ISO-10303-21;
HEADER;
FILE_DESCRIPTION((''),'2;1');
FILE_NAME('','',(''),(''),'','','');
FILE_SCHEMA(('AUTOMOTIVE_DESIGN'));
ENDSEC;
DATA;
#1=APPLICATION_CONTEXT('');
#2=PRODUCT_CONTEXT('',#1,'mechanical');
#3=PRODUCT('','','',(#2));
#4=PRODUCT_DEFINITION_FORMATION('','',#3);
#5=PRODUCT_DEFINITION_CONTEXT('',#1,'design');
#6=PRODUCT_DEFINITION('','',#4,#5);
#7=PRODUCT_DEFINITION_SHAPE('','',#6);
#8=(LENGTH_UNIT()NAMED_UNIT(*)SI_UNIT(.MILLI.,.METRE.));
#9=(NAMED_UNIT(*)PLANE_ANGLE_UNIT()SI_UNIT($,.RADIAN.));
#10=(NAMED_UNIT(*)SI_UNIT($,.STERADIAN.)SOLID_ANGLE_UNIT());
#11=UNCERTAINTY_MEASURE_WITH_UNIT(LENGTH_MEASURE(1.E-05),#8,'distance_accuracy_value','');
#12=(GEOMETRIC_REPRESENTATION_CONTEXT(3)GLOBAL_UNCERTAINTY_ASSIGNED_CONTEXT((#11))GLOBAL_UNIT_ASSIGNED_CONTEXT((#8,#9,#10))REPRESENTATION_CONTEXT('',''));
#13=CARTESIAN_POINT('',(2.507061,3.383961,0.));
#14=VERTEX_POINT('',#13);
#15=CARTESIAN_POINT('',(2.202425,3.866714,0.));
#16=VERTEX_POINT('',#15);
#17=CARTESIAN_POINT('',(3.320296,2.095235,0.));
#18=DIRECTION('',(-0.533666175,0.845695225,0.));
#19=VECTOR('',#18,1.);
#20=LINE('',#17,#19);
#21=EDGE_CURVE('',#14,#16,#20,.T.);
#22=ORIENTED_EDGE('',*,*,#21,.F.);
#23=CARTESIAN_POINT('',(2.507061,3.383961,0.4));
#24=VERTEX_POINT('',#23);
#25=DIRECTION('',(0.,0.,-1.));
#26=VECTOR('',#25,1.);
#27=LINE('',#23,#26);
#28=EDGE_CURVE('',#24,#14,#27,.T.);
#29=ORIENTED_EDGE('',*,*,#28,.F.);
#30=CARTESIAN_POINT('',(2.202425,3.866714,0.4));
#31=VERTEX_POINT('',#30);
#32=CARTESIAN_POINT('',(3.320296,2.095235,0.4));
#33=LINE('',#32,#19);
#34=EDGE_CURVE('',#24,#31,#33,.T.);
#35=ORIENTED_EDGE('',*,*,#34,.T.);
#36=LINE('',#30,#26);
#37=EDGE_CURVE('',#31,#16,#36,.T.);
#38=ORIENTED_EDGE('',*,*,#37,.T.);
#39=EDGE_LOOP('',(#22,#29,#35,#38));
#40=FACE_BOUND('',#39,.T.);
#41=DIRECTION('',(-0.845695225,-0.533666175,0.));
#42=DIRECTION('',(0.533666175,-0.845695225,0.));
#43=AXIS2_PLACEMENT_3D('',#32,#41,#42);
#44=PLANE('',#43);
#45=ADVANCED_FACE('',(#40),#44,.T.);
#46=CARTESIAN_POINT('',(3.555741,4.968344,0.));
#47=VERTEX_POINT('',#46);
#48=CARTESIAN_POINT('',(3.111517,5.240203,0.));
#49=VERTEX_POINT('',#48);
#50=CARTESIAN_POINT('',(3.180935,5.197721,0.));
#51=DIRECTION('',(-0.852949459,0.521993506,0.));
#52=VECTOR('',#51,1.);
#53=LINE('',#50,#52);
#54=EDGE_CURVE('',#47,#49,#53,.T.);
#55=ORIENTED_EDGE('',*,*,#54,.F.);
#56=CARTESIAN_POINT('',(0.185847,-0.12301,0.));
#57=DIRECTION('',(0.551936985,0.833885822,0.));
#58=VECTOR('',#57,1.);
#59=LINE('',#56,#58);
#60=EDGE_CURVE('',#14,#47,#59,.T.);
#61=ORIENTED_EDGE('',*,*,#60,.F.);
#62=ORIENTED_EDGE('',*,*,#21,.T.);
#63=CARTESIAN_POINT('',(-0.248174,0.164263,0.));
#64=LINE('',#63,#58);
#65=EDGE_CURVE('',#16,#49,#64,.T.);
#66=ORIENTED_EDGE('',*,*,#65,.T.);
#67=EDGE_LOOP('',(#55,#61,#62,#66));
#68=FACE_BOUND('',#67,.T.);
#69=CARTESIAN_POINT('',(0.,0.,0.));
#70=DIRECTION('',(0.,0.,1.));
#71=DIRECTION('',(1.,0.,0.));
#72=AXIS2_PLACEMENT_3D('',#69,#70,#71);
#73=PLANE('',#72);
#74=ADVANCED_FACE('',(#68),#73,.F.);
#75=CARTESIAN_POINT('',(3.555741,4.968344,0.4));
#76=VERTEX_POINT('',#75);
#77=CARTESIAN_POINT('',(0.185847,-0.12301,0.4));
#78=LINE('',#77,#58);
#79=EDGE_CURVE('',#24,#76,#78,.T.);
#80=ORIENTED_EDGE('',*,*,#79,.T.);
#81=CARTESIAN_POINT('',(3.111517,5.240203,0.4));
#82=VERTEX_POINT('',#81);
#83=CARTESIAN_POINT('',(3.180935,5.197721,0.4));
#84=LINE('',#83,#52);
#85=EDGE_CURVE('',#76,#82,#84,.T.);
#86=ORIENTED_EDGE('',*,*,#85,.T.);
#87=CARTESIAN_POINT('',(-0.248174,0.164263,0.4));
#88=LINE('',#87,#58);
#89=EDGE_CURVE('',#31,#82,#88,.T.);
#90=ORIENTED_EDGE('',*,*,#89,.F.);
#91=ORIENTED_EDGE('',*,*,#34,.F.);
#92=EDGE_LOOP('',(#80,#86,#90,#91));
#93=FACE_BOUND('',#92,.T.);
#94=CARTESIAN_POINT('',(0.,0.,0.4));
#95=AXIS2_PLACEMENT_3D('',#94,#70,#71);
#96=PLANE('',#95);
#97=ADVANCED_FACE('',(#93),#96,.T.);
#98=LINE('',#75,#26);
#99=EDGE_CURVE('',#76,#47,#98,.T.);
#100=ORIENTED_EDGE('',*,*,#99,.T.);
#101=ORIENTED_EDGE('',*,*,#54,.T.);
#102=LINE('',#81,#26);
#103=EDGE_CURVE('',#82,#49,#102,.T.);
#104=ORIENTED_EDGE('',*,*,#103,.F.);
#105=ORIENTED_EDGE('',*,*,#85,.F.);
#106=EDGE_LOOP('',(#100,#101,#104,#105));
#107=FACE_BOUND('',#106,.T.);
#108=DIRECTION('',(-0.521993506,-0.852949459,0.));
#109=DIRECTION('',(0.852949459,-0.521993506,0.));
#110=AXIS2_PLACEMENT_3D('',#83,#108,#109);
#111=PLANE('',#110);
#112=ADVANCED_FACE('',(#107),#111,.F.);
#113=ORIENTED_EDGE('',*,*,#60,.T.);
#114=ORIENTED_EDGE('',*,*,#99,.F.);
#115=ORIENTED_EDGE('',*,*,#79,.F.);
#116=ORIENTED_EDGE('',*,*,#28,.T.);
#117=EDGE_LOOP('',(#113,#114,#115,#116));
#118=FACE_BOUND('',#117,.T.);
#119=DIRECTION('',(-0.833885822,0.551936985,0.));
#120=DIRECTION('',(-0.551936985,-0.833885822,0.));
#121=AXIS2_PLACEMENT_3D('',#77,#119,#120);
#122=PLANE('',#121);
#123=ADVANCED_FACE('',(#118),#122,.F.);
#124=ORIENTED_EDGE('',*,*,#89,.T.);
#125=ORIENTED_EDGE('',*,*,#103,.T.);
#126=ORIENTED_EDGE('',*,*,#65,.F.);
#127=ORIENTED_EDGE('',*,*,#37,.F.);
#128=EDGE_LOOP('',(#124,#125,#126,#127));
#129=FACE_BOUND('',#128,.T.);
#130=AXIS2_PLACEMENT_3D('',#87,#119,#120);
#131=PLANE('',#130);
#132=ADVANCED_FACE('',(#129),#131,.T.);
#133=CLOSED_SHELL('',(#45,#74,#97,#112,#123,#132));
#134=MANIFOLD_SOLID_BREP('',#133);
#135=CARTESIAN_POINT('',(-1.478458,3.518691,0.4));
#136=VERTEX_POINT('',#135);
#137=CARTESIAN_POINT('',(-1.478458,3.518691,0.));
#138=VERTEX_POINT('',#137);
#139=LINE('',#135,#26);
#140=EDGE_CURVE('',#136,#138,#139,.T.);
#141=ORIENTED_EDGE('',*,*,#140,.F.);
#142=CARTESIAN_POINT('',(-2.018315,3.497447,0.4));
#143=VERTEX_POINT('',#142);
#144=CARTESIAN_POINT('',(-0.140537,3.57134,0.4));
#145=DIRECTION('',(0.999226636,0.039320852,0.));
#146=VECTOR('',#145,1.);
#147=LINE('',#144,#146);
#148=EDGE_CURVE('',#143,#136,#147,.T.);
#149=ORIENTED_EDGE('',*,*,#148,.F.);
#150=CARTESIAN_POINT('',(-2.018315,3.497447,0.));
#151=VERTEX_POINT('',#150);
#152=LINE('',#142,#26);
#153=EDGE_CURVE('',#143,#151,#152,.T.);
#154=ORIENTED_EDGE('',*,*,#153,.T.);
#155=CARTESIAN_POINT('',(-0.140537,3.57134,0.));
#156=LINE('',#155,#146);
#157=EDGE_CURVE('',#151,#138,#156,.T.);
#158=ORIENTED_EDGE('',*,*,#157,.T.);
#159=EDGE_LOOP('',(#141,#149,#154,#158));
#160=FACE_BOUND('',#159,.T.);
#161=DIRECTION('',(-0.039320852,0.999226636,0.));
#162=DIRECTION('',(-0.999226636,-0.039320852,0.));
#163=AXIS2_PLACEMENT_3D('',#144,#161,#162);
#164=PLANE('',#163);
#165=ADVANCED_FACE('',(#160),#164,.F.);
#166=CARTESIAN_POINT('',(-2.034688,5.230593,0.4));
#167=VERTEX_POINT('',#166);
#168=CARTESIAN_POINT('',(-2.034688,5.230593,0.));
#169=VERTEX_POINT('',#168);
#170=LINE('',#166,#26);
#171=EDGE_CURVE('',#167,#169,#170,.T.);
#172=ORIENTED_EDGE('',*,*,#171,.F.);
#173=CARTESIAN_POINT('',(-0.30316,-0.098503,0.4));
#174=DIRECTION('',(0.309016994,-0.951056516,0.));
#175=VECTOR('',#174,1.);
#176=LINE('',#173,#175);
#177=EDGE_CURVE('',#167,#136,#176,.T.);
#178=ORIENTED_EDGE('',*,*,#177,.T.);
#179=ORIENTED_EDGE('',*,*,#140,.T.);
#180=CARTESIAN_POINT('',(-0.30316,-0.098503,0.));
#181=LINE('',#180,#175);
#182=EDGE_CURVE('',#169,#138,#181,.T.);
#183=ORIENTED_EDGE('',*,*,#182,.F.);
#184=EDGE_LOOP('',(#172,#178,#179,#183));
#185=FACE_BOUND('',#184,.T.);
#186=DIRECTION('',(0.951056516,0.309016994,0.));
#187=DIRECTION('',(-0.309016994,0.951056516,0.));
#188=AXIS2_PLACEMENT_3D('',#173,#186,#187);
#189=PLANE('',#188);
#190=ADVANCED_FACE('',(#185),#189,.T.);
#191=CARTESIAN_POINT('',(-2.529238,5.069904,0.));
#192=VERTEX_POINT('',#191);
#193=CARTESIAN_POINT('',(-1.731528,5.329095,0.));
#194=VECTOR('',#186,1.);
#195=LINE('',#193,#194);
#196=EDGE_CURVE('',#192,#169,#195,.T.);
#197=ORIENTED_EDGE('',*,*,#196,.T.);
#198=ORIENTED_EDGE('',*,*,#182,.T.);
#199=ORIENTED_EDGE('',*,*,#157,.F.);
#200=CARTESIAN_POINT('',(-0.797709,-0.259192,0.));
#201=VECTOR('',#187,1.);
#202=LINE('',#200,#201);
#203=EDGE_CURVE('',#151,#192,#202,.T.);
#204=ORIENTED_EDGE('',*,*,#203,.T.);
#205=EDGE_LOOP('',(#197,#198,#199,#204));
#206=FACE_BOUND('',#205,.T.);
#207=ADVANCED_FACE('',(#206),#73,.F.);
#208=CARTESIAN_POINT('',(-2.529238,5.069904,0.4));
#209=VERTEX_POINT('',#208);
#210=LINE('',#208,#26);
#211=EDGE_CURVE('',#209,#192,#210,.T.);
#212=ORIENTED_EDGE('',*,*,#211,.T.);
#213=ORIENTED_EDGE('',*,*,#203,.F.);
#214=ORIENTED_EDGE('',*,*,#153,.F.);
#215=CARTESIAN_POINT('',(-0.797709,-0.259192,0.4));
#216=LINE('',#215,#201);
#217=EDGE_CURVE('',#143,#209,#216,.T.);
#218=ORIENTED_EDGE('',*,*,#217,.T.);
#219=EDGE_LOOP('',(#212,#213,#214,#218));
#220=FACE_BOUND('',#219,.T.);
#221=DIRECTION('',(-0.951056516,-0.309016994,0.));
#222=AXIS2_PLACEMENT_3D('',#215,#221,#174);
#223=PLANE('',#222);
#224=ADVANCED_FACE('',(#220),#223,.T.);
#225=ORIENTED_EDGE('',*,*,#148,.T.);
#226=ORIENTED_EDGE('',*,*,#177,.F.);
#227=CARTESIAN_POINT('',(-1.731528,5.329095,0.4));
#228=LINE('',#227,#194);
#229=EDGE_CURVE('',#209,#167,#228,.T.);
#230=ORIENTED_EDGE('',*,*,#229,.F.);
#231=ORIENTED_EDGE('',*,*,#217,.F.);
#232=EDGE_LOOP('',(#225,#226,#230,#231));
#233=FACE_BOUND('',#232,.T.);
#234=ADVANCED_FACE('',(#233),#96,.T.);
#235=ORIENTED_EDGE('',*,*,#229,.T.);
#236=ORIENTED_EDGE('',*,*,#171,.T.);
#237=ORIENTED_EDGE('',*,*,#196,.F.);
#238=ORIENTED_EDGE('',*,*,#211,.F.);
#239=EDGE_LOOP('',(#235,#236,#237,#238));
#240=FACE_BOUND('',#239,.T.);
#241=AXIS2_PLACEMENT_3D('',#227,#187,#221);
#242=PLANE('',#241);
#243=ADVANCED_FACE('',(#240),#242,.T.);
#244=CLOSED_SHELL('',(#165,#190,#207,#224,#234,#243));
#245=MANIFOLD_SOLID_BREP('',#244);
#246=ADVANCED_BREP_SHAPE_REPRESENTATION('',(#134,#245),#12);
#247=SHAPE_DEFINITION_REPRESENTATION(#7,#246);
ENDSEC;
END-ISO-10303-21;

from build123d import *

# Parameters (mm, degrees)
BOSS_EXTRUDE1_DEPTH   = 0.4
BOSS_EXTRUDE1_2_DEPTH = 0.4


with BuildPart() as part:
    # Sketch1 → Boss-Extrude1 (new body)
    with BuildSketch(Plane.XY):
        Polygon((-2.018315316, 3.497446991), (-1.478457585, 3.518691086), (-2.034688175, 5.230592816), (-2.529237563, 5.069903979), align=None)
    extrude(amount=BOSS_EXTRUDE1_DEPTH)


with BuildPart() as body_2:
    # Sketch1 → Boss-Extrude1 2 (new body)
    with BuildSketch(Plane.XY):
        Polygon((3.111517477, 5.240202804), (2.202425017, 3.866713922), (2.507060643, 3.38396102), (3.555740915, 4.968344082), align=None)
    extrude(amount=BOSS_EXTRUDE1_2_DEPTH)


solid = Compound([part.part, body_2.part])
